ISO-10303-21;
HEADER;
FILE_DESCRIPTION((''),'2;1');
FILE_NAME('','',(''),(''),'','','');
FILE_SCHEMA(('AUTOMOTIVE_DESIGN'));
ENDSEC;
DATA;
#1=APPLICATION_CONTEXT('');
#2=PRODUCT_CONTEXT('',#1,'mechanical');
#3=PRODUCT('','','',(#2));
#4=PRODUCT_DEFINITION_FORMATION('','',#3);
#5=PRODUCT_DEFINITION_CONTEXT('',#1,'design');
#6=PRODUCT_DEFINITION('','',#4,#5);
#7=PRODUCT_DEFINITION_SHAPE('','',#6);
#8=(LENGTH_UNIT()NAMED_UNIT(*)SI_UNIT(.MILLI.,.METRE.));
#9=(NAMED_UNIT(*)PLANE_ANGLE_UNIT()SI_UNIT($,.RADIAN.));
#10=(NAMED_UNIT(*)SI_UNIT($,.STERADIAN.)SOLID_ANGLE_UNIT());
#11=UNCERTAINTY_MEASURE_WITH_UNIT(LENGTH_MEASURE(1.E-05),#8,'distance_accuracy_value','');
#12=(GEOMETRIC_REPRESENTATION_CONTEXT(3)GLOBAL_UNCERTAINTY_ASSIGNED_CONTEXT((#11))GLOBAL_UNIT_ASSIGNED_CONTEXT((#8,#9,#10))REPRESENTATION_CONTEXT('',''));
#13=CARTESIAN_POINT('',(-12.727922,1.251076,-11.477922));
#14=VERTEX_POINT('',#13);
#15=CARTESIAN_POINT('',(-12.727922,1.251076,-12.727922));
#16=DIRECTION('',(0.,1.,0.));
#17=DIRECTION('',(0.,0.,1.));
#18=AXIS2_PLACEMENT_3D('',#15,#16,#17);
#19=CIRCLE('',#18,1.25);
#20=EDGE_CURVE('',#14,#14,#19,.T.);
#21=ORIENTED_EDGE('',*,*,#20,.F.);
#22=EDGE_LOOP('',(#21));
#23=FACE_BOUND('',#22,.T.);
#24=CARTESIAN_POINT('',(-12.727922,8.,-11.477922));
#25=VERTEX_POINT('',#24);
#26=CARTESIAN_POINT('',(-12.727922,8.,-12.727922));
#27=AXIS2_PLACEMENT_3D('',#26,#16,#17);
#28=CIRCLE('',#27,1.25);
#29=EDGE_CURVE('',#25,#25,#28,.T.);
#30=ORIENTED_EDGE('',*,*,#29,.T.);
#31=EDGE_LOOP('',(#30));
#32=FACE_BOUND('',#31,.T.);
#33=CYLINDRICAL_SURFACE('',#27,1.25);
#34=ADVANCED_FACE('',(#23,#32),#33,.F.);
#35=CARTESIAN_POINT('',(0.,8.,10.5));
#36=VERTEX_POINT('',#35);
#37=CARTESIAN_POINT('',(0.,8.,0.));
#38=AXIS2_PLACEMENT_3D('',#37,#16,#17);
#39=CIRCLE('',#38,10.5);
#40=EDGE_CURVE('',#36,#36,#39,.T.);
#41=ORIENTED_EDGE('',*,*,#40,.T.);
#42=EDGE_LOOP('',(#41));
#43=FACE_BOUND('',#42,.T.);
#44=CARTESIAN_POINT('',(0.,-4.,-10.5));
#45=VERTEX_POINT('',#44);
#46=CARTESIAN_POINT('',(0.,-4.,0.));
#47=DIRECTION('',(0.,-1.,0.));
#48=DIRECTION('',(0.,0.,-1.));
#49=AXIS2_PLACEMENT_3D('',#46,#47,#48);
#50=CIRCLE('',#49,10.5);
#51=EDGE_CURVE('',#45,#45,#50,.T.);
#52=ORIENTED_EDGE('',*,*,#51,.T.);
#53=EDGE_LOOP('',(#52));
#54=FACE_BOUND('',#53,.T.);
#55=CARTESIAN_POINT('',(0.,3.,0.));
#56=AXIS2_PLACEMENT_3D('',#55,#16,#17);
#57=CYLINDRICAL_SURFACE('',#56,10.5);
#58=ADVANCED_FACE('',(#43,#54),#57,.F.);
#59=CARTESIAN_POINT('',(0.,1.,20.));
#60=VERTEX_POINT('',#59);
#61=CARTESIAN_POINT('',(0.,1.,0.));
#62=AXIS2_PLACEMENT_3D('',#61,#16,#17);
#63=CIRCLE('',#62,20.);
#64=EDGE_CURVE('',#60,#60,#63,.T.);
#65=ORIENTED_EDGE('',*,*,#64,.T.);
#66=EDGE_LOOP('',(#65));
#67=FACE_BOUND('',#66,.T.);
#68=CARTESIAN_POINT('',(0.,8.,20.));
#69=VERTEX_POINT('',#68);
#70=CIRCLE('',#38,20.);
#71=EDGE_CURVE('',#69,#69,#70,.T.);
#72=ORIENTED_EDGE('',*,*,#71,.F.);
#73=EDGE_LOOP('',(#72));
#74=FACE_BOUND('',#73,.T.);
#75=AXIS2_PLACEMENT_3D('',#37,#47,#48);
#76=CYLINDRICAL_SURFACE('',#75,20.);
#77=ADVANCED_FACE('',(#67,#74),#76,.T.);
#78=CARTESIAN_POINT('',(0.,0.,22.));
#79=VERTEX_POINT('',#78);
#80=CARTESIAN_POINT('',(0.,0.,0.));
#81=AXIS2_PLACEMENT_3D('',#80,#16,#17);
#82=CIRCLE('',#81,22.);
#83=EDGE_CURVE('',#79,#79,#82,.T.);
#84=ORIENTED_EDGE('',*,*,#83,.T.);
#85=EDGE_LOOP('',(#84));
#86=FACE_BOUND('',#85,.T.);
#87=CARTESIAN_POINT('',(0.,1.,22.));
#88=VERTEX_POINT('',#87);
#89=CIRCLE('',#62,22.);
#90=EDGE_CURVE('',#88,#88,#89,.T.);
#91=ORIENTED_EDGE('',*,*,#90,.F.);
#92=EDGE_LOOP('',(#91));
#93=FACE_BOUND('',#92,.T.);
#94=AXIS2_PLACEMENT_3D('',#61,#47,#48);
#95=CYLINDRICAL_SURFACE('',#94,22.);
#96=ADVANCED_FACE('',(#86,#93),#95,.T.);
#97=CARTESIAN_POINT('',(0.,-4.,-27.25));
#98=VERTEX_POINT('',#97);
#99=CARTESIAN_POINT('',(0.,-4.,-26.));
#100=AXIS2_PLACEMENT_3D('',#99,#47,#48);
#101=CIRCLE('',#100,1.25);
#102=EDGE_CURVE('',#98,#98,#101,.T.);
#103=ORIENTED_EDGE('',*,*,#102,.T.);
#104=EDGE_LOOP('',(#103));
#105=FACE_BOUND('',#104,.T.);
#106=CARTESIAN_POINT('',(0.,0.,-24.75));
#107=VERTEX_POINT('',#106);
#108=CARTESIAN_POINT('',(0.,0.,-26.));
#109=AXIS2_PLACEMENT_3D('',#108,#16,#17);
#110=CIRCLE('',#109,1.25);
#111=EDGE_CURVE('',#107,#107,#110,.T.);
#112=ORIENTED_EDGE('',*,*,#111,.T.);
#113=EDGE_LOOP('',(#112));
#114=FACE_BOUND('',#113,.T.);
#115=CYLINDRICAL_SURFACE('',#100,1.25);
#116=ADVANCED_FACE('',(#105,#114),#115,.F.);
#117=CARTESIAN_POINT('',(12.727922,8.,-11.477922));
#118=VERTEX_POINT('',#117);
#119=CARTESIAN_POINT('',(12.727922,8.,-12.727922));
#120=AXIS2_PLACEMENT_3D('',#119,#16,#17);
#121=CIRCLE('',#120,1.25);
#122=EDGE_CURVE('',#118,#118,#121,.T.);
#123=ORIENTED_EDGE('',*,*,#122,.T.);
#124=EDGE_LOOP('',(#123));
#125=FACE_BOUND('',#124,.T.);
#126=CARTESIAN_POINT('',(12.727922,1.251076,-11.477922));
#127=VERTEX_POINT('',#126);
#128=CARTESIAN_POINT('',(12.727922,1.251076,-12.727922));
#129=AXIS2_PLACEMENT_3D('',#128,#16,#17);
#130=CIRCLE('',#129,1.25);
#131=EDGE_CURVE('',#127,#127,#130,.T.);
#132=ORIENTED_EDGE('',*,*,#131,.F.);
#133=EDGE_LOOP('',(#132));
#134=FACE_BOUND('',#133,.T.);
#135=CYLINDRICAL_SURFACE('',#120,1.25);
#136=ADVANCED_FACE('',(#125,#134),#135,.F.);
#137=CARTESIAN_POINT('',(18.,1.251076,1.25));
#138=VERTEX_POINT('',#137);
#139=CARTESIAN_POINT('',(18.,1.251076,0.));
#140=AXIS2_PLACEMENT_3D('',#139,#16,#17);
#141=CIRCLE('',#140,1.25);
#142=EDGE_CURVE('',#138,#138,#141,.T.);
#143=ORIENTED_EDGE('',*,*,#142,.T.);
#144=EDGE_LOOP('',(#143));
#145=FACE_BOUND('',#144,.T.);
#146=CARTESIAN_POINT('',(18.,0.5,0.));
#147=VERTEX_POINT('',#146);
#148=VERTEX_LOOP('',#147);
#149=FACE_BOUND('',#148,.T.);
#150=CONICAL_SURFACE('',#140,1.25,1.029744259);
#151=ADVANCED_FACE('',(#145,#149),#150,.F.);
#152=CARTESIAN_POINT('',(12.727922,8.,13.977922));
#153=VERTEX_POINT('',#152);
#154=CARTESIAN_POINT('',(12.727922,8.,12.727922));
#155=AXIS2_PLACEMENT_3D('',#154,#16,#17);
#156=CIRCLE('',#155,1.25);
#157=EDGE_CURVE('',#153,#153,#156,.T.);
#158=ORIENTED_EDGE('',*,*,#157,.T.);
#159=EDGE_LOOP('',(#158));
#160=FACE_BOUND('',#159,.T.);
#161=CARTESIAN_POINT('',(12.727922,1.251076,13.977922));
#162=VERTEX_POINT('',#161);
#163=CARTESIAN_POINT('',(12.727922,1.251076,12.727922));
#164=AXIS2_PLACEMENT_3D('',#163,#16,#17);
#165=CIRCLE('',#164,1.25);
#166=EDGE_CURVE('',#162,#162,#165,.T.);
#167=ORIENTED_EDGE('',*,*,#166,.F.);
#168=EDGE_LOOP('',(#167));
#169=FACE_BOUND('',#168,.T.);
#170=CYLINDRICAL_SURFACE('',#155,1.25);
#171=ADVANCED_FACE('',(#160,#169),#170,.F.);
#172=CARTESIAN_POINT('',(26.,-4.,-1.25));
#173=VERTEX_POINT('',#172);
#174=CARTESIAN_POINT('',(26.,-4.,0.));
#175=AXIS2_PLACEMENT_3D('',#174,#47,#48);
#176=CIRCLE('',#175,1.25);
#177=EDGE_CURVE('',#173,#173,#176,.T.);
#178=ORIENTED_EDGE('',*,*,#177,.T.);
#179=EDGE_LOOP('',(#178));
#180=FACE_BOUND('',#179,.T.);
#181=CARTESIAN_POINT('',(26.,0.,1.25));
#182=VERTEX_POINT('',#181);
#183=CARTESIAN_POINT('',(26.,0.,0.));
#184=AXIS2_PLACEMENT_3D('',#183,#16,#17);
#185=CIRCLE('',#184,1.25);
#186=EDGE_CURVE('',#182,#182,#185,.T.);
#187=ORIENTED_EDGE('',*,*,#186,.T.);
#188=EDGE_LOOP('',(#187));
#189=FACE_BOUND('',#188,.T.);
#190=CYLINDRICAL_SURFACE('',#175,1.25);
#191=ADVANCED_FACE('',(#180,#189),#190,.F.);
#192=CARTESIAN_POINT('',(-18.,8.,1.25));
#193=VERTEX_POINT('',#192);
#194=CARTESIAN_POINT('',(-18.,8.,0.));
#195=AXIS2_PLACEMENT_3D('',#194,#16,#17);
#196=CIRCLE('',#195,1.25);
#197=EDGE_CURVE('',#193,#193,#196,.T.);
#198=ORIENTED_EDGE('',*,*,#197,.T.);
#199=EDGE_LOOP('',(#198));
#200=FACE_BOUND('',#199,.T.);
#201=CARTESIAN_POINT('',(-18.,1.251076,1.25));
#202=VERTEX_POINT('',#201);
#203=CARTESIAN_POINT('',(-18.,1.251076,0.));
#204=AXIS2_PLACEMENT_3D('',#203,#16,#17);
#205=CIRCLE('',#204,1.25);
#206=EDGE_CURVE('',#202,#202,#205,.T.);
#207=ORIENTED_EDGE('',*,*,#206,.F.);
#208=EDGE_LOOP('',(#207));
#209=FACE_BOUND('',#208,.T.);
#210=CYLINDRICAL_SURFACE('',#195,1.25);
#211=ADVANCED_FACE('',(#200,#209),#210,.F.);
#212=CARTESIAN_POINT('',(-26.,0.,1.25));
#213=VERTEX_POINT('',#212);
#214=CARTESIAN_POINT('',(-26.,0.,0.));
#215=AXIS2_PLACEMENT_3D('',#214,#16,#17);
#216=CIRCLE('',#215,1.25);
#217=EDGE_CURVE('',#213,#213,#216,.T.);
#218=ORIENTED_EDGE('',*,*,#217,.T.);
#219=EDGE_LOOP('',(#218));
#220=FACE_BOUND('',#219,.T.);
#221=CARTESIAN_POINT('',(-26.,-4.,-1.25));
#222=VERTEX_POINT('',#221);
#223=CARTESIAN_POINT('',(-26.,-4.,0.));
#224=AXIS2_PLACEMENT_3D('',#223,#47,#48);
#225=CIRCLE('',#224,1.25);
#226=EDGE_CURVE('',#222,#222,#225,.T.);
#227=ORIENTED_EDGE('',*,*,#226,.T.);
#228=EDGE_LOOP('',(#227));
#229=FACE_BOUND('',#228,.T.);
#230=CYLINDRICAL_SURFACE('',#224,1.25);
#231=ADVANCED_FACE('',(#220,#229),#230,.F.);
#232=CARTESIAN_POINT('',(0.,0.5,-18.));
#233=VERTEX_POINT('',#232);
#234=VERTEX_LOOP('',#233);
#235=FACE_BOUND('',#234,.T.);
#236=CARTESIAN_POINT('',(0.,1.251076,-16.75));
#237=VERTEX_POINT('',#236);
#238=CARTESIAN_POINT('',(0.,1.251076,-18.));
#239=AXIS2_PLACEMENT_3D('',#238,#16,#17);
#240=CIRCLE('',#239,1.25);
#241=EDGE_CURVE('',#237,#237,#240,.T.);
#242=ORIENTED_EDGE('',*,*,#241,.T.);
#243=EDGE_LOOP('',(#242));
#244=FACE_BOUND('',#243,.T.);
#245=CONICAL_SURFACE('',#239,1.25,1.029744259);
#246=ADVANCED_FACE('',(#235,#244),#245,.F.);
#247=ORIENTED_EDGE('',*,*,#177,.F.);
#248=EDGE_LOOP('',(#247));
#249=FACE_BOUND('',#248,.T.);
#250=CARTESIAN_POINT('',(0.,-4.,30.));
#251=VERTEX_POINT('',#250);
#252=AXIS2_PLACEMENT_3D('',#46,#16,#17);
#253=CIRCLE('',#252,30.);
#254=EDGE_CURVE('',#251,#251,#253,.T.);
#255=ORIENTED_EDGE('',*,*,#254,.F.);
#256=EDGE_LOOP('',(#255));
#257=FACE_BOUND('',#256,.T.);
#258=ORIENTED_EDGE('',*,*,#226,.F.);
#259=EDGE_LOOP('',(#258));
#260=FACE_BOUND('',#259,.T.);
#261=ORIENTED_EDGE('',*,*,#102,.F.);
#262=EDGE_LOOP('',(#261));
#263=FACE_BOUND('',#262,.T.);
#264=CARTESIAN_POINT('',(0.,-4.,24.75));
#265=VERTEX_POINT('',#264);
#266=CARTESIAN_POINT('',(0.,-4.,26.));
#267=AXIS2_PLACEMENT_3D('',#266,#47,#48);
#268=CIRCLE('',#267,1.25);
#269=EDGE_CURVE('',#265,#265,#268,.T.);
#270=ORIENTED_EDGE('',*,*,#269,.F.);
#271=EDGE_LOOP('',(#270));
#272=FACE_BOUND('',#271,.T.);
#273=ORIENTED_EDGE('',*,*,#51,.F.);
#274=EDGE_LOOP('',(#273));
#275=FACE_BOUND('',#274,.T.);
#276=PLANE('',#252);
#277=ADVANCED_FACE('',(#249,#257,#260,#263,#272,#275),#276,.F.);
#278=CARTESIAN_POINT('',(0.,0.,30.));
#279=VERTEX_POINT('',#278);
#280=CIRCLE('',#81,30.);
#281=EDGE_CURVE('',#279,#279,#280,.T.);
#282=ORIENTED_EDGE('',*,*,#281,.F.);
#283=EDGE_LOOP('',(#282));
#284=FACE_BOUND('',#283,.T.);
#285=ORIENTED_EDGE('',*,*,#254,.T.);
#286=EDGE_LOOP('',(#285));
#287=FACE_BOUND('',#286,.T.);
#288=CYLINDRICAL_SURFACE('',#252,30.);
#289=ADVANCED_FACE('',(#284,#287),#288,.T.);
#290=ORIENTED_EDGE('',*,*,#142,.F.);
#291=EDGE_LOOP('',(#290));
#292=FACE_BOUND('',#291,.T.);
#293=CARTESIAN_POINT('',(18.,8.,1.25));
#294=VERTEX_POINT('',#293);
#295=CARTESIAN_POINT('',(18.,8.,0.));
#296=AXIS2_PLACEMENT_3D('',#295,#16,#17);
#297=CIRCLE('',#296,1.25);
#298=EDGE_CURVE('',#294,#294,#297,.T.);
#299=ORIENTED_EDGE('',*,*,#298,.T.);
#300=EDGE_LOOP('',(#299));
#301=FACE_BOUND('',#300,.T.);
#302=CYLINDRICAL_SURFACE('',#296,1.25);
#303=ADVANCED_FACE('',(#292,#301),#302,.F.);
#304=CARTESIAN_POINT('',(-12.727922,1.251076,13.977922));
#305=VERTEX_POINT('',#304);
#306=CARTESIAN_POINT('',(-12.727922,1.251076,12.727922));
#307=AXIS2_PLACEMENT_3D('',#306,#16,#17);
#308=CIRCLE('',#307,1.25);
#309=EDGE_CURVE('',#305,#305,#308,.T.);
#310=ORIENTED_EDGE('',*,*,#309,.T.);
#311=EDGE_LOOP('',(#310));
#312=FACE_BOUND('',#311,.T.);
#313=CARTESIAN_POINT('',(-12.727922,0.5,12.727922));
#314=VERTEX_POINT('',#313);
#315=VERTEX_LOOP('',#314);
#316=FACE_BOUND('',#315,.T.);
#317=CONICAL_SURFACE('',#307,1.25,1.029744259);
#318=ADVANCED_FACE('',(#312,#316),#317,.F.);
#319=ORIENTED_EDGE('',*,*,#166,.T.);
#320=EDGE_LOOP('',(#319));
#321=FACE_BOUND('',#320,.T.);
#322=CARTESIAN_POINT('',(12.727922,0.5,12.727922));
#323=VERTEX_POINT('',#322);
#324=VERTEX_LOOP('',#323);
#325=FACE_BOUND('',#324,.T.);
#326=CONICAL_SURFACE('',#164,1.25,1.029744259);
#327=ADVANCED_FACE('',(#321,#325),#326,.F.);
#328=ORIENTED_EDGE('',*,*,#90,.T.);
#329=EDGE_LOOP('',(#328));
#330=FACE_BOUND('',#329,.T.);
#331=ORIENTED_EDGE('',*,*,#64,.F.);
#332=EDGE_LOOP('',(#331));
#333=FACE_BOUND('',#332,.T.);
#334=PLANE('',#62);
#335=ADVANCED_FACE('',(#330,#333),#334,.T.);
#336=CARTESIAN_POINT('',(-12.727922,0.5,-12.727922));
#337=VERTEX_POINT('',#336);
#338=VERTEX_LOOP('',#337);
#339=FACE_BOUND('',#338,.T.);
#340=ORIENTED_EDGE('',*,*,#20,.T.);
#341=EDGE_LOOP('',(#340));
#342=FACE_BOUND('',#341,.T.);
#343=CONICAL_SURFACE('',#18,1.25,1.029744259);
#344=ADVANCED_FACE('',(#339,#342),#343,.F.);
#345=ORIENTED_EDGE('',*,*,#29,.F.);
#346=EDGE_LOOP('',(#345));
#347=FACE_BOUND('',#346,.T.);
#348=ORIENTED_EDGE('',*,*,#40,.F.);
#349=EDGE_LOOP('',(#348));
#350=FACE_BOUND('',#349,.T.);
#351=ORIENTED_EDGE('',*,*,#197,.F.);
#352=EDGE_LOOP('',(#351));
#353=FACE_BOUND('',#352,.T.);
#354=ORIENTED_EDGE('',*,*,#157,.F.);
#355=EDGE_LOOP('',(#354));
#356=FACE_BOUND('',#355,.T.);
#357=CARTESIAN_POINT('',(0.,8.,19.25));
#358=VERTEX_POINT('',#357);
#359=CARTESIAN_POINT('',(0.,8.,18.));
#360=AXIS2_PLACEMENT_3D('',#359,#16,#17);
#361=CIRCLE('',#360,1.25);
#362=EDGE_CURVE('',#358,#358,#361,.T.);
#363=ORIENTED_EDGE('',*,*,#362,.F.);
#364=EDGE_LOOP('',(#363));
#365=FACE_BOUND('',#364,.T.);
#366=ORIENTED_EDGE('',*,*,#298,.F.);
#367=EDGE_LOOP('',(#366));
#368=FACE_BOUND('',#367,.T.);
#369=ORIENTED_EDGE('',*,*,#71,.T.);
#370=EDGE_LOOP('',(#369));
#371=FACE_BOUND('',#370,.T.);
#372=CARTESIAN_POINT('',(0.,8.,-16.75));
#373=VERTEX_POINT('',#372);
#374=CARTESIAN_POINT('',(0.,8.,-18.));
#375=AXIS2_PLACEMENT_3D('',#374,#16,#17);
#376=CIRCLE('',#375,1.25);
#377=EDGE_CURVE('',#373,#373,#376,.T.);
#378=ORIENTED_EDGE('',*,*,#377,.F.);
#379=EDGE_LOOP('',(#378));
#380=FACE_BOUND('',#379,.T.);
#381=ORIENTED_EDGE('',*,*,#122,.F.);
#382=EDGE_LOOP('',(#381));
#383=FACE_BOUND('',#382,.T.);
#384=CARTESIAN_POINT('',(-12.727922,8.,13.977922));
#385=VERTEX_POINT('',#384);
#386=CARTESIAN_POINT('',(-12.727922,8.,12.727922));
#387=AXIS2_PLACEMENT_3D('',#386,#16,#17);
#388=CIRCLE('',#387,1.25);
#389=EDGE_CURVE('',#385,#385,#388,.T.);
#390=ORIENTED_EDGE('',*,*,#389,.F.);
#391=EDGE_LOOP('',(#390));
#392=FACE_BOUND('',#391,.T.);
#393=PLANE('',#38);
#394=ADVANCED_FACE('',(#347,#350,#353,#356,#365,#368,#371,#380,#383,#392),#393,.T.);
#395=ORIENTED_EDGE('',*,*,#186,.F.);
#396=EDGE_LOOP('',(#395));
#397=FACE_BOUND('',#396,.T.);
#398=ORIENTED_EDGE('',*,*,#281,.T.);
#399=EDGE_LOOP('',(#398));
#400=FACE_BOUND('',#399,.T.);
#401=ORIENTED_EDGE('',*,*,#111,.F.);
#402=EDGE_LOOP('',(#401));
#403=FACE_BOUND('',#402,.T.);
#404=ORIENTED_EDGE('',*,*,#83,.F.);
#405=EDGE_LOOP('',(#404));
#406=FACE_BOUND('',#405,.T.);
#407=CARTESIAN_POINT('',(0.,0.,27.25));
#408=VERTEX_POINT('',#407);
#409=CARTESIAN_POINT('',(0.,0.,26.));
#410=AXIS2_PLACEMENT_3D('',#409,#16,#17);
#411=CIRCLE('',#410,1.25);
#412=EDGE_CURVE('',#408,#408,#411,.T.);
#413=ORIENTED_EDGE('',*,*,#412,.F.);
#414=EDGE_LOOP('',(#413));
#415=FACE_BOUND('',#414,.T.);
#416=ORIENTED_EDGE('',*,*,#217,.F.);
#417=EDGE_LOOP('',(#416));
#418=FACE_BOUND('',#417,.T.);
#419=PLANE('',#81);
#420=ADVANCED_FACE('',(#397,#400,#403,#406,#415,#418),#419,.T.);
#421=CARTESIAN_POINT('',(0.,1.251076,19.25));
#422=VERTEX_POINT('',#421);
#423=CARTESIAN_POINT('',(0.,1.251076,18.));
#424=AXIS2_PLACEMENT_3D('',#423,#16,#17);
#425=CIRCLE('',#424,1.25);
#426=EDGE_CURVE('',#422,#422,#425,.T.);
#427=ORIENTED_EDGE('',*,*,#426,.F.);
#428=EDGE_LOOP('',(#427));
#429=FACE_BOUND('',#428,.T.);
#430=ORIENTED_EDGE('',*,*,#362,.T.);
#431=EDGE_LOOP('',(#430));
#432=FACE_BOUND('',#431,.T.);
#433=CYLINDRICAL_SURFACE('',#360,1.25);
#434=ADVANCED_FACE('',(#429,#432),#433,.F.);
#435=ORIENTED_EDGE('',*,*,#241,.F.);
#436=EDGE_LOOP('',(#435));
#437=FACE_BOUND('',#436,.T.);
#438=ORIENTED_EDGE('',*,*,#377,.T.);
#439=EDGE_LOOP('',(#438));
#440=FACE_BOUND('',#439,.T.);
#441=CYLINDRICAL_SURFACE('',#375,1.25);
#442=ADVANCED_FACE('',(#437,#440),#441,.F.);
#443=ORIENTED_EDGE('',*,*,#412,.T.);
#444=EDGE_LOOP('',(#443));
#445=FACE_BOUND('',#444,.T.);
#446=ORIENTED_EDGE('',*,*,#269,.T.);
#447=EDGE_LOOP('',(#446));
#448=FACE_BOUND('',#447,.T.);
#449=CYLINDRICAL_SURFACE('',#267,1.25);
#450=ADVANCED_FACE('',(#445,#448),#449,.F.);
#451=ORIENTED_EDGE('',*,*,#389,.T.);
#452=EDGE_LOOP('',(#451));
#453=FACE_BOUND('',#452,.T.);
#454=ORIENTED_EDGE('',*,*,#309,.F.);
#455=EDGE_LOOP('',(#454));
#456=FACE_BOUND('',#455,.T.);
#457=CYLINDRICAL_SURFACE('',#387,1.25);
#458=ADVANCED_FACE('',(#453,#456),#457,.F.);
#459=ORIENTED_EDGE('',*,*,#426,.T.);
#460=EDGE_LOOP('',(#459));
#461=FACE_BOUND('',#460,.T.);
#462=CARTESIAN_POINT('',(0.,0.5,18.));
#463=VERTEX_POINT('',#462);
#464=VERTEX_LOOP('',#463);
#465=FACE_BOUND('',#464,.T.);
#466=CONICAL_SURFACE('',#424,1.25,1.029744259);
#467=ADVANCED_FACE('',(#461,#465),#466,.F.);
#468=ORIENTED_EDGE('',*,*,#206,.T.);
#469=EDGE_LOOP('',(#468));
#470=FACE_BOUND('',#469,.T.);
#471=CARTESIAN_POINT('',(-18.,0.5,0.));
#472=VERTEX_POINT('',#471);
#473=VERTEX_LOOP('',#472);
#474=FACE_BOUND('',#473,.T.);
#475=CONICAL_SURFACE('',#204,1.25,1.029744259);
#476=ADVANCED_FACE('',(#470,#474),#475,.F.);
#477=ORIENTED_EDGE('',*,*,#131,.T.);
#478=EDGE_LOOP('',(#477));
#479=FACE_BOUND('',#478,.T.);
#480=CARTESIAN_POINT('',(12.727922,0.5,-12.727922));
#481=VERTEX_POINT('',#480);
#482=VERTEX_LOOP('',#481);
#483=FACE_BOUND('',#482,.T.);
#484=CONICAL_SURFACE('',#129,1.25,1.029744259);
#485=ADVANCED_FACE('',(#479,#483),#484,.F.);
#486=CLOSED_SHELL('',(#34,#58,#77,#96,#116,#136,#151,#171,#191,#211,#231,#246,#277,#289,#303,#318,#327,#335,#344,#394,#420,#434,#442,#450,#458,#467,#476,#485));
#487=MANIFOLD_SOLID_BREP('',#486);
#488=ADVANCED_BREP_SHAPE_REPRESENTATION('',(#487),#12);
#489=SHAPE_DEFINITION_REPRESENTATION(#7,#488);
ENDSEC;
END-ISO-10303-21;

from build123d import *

# Parameters (mm, degrees)
SKETCH1_R             = 30
BASE_CORE_DEPTH       = 4
SKETCH2_R             = 22
CLEARNESS_DEPTH       = 1
SKETCH3_R             = 20
BREAING_40_ID_DEPTH   = 7
SKETCH4_R             = 10.5
BREAING_21_OD_DEPTH   = 5
SKETCH5_R             = 10.5
MOTOR_CUT_DEPTH       = 7
M3_TAPPED_HOLE2_D     = 2.5
M3_TAPPED_HOLE2_DEPTH = 6.748924226
M3_TAPPED_HOLE2_TIP   = 0.751075774
M3_TAPPED_HOLE1_D     = 2.5


with BuildPart() as part:
    # Sketch1 → base-core (new body)
    with BuildSketch(Plane(origin=(0, 0, 0), x_dir=(1, 0, 0), z_dir=(0, 1, 0))):
        Circle(SKETCH1_R)
    extrude(amount=-BASE_CORE_DEPTH)

    # Sketch2 → clearness (add)
    with BuildSketch(Plane(origin=(0, 0, 0), x_dir=(1, 0, 0), z_dir=(0, 1, 0))):
        Circle(SKETCH2_R)
    extrude(amount=CLEARNESS_DEPTH)

    # Sketch3 → breaing-40-ID (add)
    with BuildSketch(Plane(origin=(0, 1, 0), x_dir=(1, 0, 0), z_dir=(0, 1, 0))):
        Circle(SKETCH3_R)
    extrude(amount=BREAING_40_ID_DEPTH)

    # Sketch4 → breaing-21-OD (cut)
    with BuildSketch(Plane(origin=(0, 8, 0), x_dir=(1, 0, 0), z_dir=(0, 1, 0))):
        Circle(SKETCH4_R)
    extrude(amount=-BREAING_21_OD_DEPTH, mode=Mode.SUBTRACT)

    # Sketch5 → motor-cut (cut)
    with BuildSketch(Plane.XZ.offset(4)):
        Circle(SKETCH5_R)
    extrude(amount=-MOTOR_CUT_DEPTH, mode=Mode.SUBTRACT)

    # M3 Tapped Hole2
    with Locations(Plane(origin=(0, 8, 0), x_dir=(1, 0, 0), z_dir=(0, 1, 0))):
        with Locations((12.727922061, 12.727922061), (18, 0), (12.727922061, -12.727922061), (0, -18), (-12.727922061, -12.727922061), (-18, 0), (-12.727922061, 12.727922061), (0, 18), (0, 0)):
            Hole(M3_TAPPED_HOLE2_D / 2, depth=M3_TAPPED_HOLE2_DEPTH)
            with Locations((0, 0, -(M3_TAPPED_HOLE2_DEPTH + M3_TAPPED_HOLE2_TIP / 2))):  # 118° drill point
                Cone(0, M3_TAPPED_HOLE2_D / 2, M3_TAPPED_HOLE2_TIP, mode=Mode.SUBTRACT)

    # M3 Tapped Hole1 (through all)
    with Locations(Plane.XZ.offset(4)):
        with Locations((-26, 0), (0, 26), (26, 0), (0, -26)):
            Hole(M3_TAPPED_HOLE1_D / 2)


solid = part.part
